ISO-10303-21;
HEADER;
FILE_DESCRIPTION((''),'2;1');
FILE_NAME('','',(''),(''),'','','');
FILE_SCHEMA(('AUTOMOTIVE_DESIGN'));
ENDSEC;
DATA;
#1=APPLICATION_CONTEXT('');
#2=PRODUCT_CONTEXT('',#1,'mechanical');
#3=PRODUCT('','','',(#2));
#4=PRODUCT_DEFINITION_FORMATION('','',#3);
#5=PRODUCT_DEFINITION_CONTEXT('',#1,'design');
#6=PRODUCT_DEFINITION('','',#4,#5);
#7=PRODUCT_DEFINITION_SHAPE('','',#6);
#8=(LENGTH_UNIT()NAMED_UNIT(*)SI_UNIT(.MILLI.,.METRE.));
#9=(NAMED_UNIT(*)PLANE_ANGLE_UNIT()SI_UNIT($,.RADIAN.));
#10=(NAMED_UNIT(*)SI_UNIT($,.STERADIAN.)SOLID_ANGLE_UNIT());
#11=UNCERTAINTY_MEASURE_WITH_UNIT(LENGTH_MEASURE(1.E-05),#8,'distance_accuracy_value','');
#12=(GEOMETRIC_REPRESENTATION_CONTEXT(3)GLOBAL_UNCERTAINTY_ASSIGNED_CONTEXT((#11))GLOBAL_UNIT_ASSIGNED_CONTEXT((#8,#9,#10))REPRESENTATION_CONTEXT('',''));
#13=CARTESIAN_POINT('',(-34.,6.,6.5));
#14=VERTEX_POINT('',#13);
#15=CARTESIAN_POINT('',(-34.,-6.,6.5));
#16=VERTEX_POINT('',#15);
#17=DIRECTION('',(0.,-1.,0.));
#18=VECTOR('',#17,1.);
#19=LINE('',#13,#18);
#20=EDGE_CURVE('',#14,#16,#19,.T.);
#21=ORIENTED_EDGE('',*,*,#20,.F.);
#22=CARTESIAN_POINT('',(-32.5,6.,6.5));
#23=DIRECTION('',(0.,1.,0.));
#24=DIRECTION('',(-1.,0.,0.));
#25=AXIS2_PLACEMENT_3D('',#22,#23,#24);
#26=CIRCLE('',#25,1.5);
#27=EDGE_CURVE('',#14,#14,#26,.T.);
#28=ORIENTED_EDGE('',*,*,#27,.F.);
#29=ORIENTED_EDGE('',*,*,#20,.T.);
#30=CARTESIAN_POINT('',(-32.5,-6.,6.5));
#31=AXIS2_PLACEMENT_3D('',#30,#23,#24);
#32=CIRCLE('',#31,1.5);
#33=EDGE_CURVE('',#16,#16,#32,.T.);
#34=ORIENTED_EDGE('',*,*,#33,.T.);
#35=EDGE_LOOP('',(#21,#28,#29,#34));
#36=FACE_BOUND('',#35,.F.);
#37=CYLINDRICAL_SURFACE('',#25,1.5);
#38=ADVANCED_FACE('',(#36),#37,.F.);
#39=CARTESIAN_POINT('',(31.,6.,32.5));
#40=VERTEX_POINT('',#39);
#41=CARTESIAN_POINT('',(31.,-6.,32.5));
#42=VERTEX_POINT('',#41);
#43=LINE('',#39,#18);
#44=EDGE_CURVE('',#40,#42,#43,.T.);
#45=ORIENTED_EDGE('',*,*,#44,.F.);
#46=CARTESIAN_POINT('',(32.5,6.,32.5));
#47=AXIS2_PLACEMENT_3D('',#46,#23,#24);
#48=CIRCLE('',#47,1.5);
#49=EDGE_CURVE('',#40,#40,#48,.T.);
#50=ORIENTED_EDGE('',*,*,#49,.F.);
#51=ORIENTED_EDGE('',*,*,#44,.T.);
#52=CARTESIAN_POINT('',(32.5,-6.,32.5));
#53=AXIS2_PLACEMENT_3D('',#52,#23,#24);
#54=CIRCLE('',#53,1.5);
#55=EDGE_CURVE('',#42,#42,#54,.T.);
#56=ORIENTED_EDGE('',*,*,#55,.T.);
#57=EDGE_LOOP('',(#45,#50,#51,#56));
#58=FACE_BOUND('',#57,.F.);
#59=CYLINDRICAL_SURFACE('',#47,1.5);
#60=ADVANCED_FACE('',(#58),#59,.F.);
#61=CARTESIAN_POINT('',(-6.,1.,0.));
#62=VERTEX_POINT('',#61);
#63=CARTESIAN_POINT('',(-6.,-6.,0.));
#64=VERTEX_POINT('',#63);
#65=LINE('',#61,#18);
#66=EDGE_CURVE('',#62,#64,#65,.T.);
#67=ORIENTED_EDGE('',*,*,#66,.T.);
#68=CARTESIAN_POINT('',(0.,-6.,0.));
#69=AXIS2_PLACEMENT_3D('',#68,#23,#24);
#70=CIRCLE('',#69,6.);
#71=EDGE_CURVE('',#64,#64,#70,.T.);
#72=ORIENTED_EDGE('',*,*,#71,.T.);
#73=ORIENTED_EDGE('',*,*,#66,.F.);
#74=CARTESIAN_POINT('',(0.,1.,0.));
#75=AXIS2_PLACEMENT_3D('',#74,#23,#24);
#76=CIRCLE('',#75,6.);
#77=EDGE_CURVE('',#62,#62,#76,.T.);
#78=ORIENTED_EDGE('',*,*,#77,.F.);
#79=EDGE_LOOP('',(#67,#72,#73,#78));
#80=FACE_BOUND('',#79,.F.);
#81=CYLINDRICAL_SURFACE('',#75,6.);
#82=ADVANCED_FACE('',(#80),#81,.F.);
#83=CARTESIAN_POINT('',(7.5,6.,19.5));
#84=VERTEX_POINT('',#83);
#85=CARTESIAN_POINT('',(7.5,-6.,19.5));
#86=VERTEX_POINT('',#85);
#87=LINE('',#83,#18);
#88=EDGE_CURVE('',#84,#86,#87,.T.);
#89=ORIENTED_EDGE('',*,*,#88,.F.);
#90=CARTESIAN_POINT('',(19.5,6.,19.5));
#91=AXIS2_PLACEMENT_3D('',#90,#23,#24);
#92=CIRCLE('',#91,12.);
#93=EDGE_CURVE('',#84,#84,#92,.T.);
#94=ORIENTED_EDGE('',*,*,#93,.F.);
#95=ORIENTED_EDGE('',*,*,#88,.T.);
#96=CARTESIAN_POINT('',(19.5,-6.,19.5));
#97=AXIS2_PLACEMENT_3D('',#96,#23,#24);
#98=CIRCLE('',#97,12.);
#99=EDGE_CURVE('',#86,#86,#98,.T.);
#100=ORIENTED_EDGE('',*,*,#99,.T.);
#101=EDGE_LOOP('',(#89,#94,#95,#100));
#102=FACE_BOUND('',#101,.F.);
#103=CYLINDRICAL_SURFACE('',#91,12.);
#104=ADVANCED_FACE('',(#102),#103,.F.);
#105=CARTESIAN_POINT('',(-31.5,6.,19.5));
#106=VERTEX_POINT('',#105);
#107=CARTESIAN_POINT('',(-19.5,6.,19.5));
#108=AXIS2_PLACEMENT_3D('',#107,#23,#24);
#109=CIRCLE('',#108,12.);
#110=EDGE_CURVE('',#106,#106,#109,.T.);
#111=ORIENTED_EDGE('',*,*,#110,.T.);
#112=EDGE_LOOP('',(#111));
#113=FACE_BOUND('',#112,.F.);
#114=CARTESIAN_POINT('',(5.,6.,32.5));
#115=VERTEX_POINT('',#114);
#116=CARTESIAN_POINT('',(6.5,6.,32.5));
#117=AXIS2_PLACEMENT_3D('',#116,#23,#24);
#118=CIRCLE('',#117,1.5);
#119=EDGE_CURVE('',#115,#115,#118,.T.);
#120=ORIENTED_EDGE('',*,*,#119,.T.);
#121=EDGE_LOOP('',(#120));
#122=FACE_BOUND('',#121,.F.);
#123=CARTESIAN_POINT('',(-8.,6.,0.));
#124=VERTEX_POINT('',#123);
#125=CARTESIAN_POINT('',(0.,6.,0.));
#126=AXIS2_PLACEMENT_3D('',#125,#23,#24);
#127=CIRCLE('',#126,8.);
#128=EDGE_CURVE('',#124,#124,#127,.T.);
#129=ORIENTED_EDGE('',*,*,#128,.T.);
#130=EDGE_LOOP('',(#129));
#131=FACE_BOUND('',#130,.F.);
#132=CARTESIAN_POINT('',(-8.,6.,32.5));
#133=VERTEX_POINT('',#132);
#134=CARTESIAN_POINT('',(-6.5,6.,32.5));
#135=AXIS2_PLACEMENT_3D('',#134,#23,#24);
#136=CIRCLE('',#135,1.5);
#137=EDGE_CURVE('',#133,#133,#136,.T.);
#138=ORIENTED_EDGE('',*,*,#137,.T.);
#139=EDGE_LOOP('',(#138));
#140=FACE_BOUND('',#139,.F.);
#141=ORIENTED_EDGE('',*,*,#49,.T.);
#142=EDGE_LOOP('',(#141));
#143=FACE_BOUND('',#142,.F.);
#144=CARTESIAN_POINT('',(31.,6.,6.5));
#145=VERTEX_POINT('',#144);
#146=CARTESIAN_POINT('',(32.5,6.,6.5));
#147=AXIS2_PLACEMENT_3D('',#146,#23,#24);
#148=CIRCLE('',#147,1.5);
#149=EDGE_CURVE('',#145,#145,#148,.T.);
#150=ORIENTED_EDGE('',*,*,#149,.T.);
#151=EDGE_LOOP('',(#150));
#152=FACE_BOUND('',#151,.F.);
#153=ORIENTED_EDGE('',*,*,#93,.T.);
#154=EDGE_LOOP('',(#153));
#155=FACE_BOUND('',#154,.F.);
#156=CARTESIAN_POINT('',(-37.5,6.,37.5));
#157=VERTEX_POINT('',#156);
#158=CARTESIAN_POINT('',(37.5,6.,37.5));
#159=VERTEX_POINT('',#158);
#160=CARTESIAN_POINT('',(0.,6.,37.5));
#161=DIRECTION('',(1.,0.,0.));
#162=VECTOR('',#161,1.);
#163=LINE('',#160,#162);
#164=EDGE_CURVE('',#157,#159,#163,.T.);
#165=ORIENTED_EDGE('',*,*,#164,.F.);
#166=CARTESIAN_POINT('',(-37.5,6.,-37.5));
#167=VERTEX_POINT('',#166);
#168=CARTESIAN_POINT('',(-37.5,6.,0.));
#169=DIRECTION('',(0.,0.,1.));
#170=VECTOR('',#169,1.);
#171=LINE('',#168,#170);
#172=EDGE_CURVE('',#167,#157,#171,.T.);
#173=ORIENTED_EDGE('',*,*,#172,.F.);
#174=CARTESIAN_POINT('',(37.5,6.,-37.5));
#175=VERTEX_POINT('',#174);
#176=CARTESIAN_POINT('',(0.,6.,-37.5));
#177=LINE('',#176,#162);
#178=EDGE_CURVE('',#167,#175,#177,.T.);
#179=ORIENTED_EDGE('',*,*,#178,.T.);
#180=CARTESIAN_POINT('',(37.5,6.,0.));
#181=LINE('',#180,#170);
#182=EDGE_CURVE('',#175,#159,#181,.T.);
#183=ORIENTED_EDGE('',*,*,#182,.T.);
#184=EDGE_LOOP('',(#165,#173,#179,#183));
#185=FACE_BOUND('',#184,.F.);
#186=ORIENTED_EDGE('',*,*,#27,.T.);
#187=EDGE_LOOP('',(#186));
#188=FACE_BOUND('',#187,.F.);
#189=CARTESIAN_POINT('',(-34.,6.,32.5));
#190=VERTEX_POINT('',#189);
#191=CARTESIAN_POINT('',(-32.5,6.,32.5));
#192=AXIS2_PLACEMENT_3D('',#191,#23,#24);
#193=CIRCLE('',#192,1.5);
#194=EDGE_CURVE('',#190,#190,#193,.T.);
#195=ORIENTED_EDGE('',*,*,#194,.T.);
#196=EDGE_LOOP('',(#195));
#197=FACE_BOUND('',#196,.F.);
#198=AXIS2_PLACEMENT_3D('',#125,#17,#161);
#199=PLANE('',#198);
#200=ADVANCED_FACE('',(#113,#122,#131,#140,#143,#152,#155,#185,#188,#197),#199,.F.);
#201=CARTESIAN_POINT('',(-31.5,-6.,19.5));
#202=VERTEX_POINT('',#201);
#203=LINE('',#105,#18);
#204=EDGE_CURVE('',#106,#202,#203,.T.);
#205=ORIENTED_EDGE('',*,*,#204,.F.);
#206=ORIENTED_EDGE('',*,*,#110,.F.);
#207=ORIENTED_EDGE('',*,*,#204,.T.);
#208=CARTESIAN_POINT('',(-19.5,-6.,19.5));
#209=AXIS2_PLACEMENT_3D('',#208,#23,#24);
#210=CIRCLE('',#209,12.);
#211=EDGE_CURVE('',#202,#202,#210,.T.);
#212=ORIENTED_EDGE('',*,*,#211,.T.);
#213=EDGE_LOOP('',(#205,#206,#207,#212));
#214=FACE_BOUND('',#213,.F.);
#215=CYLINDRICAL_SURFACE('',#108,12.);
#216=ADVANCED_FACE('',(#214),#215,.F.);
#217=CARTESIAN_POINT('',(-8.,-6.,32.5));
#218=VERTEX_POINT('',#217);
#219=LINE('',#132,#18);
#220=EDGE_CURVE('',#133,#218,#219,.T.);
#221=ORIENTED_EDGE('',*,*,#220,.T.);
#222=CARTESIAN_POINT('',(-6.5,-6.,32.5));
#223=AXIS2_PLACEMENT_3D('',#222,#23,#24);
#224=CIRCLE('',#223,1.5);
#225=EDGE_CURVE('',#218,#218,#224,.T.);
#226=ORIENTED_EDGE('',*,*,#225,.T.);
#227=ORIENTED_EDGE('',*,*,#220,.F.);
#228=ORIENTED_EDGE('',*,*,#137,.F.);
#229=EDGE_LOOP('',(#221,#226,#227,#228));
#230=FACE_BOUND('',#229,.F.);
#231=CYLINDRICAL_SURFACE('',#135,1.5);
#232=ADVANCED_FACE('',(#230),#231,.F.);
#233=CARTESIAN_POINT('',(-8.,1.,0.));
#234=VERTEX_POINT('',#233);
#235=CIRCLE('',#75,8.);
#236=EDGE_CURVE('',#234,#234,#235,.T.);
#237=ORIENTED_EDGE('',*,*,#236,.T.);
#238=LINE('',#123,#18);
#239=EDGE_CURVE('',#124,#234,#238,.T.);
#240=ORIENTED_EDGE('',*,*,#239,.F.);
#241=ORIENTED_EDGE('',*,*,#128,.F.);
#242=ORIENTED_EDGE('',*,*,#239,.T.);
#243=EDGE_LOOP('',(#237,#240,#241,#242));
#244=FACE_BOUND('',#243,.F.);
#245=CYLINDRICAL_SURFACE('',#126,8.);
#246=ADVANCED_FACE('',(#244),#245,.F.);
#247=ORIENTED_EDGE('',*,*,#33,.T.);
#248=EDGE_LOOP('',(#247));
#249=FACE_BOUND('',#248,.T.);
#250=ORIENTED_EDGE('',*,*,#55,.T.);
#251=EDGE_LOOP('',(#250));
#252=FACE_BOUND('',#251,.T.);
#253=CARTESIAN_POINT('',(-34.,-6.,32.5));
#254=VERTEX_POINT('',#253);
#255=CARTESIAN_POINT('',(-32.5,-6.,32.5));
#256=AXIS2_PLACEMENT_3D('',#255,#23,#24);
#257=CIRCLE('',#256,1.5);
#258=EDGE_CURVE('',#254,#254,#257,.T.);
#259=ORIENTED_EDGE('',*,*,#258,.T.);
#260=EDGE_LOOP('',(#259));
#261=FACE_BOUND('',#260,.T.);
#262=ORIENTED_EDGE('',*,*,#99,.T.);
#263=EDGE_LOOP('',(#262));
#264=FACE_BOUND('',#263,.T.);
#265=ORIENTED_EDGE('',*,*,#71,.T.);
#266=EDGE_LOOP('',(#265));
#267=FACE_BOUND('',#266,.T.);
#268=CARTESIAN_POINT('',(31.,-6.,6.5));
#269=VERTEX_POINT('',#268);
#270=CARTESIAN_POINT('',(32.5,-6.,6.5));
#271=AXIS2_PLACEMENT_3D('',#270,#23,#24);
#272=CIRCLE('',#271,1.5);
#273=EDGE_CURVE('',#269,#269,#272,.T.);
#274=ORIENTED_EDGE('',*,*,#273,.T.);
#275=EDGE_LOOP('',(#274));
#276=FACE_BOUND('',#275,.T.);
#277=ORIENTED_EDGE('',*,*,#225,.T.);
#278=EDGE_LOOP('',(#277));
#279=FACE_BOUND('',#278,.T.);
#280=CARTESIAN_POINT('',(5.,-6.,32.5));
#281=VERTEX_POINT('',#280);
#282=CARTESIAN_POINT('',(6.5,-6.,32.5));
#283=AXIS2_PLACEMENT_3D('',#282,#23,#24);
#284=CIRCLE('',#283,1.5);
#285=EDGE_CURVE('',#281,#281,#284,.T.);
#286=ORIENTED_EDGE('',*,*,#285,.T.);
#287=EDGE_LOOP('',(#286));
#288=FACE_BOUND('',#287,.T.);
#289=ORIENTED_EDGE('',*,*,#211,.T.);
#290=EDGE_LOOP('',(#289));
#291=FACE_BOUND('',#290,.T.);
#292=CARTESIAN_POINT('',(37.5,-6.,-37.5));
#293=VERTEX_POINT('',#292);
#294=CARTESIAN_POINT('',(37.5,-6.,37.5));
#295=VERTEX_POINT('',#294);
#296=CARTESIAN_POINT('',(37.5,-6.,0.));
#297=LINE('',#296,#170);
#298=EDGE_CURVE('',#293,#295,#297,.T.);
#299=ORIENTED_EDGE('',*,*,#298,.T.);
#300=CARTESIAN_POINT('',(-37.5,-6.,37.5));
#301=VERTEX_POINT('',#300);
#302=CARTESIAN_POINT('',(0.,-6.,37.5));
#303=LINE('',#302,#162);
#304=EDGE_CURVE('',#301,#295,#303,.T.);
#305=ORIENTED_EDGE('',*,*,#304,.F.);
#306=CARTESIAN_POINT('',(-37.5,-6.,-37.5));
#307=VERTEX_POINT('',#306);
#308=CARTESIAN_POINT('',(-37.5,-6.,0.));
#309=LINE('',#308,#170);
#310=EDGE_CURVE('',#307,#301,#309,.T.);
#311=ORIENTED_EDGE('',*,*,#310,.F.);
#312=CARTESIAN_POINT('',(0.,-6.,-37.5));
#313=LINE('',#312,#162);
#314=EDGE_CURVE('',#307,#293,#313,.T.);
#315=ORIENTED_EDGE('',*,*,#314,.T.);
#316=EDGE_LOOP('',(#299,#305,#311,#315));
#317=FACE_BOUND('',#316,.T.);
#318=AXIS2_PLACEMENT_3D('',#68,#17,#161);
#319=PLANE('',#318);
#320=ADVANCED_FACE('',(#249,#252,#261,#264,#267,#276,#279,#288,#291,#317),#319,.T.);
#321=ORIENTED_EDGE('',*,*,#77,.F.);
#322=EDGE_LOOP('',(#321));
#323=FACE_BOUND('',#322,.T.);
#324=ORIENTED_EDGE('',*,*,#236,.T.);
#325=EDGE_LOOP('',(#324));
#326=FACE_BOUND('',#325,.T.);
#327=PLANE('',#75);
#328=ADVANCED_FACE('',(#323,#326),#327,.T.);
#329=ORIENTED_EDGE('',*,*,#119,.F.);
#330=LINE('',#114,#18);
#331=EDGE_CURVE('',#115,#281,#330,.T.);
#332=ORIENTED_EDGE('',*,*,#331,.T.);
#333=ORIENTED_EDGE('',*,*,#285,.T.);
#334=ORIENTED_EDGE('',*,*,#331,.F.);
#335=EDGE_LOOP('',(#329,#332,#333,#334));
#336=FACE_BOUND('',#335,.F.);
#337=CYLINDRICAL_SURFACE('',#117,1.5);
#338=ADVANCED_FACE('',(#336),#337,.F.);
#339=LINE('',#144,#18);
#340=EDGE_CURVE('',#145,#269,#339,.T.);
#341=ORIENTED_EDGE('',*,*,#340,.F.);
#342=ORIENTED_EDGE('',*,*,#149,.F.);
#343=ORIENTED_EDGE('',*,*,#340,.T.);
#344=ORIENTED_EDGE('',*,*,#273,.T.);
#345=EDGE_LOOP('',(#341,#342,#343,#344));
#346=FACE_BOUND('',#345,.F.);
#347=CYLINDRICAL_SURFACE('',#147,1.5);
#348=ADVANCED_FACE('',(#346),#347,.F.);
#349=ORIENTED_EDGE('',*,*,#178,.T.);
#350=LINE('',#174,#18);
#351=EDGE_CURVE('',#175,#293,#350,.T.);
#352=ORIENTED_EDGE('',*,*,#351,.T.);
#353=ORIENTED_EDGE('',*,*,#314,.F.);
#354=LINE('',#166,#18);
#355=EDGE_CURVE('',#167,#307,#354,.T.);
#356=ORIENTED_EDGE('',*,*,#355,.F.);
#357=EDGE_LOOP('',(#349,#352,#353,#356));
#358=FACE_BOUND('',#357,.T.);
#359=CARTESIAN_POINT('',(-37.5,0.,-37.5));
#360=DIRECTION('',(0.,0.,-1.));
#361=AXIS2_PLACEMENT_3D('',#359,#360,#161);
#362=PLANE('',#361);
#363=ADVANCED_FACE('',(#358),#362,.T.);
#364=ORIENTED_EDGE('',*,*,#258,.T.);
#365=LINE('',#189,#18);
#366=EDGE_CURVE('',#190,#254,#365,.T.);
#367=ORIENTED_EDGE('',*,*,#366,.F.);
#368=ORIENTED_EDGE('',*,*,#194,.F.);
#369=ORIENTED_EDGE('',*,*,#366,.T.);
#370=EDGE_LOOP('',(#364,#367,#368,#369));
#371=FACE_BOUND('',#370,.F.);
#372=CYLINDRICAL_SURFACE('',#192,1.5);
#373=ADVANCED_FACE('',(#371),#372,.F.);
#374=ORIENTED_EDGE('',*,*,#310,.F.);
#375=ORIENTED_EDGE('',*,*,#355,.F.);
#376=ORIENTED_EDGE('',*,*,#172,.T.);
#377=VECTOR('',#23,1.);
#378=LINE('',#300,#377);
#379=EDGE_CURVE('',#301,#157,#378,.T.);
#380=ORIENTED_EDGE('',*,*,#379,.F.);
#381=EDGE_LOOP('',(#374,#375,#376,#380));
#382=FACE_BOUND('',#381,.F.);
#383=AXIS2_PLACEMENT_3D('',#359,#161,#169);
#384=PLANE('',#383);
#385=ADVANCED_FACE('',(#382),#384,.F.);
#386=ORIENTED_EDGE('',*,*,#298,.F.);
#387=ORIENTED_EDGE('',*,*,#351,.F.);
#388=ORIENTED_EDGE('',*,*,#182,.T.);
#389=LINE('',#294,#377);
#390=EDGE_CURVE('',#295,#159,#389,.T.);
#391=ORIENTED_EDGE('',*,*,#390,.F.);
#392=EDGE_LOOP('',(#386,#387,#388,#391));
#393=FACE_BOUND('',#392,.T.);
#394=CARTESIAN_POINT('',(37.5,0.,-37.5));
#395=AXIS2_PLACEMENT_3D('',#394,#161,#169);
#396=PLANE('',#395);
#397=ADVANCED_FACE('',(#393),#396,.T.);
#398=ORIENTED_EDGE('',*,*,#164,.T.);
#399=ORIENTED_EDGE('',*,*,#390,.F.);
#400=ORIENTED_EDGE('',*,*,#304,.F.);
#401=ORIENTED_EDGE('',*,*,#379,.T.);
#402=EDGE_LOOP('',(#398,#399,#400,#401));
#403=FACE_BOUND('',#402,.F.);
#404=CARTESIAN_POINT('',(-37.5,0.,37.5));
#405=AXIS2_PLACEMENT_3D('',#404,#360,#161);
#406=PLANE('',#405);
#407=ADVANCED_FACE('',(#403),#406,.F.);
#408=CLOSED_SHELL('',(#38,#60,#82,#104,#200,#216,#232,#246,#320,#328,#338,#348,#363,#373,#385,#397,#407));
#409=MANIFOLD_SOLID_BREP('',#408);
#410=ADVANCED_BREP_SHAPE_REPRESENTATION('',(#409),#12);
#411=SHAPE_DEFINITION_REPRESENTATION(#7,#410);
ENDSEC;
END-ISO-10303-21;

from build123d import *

# Parameters (mm, degrees)
F0_W     = 75
F0_H     = 75
F1_DEPTH = 6
F2_R     = 12
F2_R_2   = 1.5
F3_DEPTH = 12.001
F4_R     = 8
F5_DEPTH = 5
F6_R     = 6
F7_DEPTH = 7.001


with BuildPart() as f1:
    # F0 (on Front) → F1 (new body, symmetric)
    with BuildSketch(Plane.XZ):
        Rectangle(F0_W, F0_H)
    extrude(amount=F1_DEPTH, both=True)

    # F2 (on face) → F3 (cut, through all)
    with BuildSketch(Plane(origin=(0, 6, 0), x_dir=(-1, 0, 0), z_dir=(0, 1, 0))):
        with Locations((-19.5, 19.5)):
            Circle(F2_R)
        with Locations((-32.5, 32.5)):
            Circle(F2_R_2)
        with Locations((-32.5, 6.5)):
            Circle(F2_R_2)
        with Locations((-6.5, 32.5)):
            Circle(F2_R_2)
        with Locations((32.5, 6.5)):
            Circle(F2_R_2)
        with Locations((32.5, 32.5)):
            Circle(F2_R_2)
        with Locations((19.5, 19.5)):
            Circle(F2_R)
        with Locations((6.5, 32.5)):
            Circle(F2_R_2)
    extrude(amount=-F3_DEPTH, mode=Mode.SUBTRACT)

    # F4 (on face) → F5 (cut)
    with BuildSketch(Plane(origin=(0, 6, 0), x_dir=(-1, 0, 0), z_dir=(0, 1, 0))):
        Circle(F4_R)
    extrude(amount=-F5_DEPTH, mode=Mode.SUBTRACT)

    # F6 (on face) → F7 (cut, through all)
    with BuildSketch(Plane(origin=(0, 1, 0), x_dir=(-1, 0, 0), z_dir=(0, 1, 0))):
        Circle(F6_R)
    extrude(amount=-F7_DEPTH, mode=Mode.SUBTRACT)


solid = f1.part
